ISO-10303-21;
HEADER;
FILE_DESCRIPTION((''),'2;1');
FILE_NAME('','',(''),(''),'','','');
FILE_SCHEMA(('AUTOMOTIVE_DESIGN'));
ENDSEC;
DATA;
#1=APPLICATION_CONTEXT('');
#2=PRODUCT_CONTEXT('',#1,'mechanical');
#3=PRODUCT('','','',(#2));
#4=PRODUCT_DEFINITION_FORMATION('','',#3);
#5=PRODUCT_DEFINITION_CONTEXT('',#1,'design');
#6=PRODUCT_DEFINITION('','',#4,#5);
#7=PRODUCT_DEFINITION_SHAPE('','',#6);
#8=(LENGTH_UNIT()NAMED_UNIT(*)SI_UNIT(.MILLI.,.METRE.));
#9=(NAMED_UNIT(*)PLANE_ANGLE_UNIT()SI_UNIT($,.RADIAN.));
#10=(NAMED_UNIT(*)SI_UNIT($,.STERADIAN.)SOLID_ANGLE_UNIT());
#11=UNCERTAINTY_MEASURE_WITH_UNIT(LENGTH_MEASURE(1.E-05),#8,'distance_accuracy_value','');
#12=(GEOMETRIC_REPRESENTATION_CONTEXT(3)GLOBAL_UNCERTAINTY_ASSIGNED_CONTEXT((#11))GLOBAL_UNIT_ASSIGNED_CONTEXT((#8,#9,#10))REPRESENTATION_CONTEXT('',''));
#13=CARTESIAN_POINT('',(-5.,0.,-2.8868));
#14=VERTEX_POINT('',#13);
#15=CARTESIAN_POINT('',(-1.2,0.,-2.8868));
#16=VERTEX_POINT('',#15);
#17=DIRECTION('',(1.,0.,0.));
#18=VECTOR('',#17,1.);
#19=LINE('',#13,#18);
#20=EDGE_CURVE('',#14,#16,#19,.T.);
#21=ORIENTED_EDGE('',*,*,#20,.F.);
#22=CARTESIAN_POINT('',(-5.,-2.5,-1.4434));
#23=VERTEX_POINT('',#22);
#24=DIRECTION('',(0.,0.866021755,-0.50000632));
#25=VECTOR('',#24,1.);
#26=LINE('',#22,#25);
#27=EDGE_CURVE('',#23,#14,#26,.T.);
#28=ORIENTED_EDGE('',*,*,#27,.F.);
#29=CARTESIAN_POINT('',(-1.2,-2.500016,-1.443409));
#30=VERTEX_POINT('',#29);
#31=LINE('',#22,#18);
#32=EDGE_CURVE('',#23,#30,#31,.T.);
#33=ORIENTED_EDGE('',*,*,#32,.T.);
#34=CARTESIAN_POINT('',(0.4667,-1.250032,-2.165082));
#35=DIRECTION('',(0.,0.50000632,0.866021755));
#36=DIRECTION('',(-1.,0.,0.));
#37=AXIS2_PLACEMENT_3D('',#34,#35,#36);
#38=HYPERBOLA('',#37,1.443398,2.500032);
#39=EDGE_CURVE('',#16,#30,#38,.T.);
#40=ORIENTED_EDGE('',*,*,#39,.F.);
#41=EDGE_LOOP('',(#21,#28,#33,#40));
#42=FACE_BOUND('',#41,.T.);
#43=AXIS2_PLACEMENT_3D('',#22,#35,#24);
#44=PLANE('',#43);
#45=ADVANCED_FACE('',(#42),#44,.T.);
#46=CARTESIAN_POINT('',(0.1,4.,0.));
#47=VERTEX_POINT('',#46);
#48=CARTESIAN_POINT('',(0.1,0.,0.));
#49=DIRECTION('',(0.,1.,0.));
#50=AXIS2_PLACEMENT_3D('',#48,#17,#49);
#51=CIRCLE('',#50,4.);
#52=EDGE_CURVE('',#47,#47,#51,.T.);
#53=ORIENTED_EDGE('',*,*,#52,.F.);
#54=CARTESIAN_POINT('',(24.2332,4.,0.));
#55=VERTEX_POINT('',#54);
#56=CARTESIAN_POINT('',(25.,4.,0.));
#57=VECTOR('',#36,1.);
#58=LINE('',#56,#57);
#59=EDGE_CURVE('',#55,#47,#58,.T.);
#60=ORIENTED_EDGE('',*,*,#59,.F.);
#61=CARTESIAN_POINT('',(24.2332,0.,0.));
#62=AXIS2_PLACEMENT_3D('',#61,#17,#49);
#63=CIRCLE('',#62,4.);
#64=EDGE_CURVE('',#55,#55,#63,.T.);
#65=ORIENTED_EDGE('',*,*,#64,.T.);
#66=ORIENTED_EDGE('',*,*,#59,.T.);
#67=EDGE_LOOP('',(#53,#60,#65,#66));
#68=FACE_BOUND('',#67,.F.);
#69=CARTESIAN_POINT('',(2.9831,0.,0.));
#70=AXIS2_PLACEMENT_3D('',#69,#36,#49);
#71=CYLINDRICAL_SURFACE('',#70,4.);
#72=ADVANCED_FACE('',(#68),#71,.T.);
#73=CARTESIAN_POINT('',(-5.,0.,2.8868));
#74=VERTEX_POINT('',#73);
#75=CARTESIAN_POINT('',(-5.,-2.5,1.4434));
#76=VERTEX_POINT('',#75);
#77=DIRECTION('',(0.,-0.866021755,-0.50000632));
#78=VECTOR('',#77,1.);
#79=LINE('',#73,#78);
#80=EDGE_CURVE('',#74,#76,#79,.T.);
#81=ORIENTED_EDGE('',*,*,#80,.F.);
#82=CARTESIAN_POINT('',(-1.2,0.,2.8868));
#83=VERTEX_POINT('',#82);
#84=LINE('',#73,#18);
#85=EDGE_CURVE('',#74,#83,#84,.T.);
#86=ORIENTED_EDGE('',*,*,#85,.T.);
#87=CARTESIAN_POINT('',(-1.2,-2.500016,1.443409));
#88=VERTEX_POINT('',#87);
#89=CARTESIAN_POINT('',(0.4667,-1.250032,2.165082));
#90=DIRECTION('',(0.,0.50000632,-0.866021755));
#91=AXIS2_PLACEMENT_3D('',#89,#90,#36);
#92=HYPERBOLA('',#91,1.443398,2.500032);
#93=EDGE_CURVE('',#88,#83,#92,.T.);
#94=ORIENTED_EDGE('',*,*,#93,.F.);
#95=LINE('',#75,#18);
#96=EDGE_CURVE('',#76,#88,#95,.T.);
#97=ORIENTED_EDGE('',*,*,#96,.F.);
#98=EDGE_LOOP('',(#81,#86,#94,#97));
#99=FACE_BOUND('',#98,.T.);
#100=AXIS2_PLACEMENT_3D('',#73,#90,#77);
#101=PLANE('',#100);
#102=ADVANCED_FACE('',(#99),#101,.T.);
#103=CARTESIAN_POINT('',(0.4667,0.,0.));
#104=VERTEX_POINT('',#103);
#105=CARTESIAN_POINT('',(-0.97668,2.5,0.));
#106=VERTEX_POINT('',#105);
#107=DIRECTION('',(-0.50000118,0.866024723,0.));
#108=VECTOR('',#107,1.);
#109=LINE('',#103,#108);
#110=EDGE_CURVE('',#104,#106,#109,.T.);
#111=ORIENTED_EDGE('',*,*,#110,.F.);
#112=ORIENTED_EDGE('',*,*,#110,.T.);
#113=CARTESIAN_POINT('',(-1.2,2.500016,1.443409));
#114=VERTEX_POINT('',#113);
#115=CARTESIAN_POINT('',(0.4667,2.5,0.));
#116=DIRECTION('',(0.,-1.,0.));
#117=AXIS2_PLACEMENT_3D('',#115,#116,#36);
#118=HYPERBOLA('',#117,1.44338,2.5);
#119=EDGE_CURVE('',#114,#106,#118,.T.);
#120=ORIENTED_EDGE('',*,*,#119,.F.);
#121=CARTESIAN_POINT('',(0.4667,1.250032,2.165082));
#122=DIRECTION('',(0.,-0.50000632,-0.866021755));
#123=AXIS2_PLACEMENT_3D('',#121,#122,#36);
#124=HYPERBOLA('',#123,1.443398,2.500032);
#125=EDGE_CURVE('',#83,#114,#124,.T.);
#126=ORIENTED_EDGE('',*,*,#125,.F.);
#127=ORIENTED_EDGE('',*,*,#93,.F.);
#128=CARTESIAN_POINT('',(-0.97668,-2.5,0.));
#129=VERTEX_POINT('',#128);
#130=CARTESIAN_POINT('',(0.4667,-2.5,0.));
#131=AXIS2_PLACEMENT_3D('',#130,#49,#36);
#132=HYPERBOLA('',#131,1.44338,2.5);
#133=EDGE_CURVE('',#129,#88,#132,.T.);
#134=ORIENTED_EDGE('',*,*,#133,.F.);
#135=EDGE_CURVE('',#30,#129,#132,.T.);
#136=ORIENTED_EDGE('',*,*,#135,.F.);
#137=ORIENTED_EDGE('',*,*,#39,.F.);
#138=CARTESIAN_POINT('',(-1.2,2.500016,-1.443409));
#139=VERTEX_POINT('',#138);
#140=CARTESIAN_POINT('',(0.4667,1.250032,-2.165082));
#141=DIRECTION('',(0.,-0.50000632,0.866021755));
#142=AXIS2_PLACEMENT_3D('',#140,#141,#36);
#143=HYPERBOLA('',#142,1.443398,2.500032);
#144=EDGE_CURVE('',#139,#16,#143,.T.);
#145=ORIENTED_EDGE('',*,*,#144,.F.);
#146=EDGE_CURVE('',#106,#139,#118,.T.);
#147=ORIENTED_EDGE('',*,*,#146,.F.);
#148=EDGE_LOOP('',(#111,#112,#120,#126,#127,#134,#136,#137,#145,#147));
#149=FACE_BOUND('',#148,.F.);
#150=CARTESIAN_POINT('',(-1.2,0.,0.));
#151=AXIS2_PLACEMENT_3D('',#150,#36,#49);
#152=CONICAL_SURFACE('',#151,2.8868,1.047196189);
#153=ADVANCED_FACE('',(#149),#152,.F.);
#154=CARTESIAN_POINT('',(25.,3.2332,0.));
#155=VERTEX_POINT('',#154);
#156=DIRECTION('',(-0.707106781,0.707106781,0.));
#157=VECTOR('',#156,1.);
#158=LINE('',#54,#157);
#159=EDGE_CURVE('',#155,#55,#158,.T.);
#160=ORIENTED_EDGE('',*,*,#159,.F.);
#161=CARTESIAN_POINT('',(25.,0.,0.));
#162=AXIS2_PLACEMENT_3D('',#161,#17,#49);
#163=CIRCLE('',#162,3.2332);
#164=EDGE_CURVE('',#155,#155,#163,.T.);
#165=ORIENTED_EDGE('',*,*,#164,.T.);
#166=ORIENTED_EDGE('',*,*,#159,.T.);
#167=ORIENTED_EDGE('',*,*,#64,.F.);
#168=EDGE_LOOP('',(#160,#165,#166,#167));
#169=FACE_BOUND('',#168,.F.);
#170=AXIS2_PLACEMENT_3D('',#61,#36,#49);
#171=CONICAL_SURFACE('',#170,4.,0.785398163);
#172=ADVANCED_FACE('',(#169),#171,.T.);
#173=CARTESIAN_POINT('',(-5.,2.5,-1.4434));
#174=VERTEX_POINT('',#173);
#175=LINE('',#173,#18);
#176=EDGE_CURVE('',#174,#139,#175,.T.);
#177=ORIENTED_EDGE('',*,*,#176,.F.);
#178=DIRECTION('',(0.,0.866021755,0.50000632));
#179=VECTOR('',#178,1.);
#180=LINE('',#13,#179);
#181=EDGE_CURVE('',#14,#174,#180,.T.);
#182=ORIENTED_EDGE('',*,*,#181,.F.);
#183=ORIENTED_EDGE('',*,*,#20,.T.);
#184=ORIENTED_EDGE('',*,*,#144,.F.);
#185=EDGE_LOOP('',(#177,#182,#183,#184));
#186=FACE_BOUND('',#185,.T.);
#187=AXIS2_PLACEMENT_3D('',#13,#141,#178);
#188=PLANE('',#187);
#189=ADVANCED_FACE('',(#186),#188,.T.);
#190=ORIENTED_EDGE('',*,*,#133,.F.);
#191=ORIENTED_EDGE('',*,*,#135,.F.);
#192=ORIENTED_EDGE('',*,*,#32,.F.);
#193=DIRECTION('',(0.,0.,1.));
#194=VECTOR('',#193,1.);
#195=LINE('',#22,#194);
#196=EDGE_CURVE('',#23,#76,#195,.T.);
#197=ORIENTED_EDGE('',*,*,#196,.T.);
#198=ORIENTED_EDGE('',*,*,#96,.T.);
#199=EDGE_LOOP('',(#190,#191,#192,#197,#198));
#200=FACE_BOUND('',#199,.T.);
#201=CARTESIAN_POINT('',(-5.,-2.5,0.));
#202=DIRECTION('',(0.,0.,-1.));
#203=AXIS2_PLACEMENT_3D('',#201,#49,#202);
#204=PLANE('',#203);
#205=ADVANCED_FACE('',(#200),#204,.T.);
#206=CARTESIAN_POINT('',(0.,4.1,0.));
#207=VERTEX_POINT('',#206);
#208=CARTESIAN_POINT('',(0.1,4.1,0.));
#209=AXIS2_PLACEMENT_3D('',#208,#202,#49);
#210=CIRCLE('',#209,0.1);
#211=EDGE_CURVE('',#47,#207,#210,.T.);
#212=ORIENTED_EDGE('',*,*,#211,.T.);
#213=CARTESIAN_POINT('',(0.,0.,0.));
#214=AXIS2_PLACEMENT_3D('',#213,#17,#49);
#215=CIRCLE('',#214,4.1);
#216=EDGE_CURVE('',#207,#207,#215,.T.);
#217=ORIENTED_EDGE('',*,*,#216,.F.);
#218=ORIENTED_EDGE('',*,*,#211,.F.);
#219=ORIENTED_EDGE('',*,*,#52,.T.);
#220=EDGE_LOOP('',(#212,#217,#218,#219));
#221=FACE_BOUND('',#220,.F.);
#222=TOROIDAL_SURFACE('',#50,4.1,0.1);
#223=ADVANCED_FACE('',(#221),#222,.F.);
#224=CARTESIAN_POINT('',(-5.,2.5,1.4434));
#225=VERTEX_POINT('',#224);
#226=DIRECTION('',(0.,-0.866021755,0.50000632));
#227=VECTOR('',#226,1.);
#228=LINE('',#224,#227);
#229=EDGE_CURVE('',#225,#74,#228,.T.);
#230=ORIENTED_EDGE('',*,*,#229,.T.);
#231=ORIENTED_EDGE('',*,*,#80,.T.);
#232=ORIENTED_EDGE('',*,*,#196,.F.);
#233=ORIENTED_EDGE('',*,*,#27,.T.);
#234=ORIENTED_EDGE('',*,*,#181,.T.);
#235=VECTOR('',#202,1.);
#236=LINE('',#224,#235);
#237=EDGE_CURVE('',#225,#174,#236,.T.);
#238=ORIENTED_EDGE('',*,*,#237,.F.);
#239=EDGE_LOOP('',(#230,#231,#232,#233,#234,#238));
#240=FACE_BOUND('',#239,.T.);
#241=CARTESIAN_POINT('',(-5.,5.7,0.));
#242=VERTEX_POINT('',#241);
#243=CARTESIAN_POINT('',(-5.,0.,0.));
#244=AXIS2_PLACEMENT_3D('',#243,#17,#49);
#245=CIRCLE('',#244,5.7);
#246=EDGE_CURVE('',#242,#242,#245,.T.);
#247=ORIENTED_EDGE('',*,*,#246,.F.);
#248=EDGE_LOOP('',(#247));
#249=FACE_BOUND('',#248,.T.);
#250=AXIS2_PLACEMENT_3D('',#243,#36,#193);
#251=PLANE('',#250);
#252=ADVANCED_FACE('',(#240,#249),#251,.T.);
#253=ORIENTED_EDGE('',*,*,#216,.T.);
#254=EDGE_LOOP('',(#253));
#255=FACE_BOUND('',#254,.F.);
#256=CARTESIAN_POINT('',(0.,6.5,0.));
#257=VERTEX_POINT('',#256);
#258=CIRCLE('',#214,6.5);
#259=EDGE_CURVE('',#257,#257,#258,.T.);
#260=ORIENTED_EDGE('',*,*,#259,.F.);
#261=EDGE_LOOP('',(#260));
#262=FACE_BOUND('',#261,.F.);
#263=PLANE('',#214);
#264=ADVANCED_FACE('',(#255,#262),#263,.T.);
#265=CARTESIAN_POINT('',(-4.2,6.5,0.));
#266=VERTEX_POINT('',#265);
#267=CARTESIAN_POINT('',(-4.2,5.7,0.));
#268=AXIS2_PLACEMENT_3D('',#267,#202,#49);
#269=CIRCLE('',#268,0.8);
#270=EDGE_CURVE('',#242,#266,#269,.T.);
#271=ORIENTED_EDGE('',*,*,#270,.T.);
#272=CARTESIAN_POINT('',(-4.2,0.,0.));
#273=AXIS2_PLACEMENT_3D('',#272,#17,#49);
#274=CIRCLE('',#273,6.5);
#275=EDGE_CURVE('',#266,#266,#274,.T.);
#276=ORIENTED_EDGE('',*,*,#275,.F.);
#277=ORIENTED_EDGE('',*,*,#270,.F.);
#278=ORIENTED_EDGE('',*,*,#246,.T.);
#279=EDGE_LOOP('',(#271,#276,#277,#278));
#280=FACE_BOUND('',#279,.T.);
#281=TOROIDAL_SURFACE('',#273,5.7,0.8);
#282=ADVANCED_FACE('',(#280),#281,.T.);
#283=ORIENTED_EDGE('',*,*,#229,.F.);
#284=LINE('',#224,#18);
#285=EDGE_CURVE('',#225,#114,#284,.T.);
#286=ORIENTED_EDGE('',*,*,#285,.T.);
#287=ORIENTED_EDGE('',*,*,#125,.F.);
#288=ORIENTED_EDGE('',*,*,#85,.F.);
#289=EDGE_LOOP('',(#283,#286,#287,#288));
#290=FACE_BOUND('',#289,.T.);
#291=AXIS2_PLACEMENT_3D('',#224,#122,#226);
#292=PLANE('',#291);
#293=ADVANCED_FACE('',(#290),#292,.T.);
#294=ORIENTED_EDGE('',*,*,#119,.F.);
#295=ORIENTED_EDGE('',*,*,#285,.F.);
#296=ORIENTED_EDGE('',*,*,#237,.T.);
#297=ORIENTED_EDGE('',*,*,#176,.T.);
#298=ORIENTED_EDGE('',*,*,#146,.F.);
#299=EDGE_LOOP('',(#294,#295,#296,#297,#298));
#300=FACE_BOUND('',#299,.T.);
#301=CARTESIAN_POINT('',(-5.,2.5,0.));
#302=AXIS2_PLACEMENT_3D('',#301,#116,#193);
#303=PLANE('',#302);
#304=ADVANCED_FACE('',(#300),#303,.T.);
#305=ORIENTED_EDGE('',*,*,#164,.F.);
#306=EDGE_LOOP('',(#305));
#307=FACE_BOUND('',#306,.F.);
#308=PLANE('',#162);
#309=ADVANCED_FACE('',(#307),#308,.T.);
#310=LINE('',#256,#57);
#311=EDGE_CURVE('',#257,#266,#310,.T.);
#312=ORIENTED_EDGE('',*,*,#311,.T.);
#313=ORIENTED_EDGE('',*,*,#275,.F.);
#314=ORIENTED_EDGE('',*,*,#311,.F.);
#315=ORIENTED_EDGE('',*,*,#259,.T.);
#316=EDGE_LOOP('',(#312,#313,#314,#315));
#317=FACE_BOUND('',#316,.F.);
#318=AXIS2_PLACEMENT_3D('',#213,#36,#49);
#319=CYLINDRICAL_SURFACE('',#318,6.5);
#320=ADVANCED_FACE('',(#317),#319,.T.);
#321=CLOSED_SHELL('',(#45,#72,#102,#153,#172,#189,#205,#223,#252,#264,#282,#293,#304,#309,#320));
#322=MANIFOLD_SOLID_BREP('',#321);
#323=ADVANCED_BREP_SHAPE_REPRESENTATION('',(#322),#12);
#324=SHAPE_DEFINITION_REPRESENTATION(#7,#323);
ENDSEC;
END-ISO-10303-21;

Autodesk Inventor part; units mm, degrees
ref_plane "YZ Plane" through (0, 0, 0) normal (1, 0, 0) x (0, 1, 0)
ref_plane "XZ Plane" through (0, 0, 0) normal (0, 1, 0) x (-1, 0, 0)
sketch "Sketch1" plane through (0, 0, 0) normal (0, 0, 1) x (1, 0, 0)
  line L0 (0.4667, 0) -> (25, 0)
  line L1 (25, 0) -> (25, 4)
  line L2 (25, 4) -> (3.75, 4)
  line L3 (3.75, 4) -> (2.9831, 4)
  line L4 (2.9831, 4) -> (0, 4)
  line L5 (0, 4) -> (0, 6.5)
  line L6 (0, 6.5) -> (-5, 6.5)
  line L7 (-5, 6.5) -> (-5, 2.8868)
  line L8 (-5, 2.8868) -> (-1.2, 2.8868)
  line L9 (-1.2, 2.8868) -> (0.4667, 0)
  line L10 (-11, 0) -> (31, 0) projected
  line L11 (0, -1.3) -> (0, 7.8) projected
  line L12 (3.75, 4) -> (0, 4) construction
  dimension "d1" = 21.25
  dimension "d2" = 0.7669
  dimension "d3" = 5
  dimension "d4" = 3.8
  dimension "d5" = 60
  dimension "d6" = 8
  dimension "d7" = 8
  dimension "d8" = 5.7735
  dimension "d9" = 13
  dimension "d26" = 25
revolve "Body" add sketch "Sketch1" angle 360 about axis through (0.4667, 0, 0) along (1, 0, 0) contours L9 L11 L4 L3 L2 L1 L0 | L9 L8 L7 L6 L5 L11
sketch "Sketch2" plane through (-5, 0, 0) normal (-1, 0, 0) x (0, 0, 1)
  circle A0 centre (0, 0) radius 2.8868 projected
  line L0 (0, -9.1) -> (0, 9.1) projected
  line L1 (-9.1, 0) -> (9.1, 0) projected
  line L2 (2.8868, 0) -> (1.4434, -2.5)
  line L3 (1.4434, -2.5) -> (-1.4434, -2.5)
  line L4 (-1.4434, -2.5) -> (-2.8868, 0)
  line L5 (-2.8868, 0) -> (-1.4434, 2.5)
  line L6 (-1.4434, 2.5) -> (1.4434, 2.5)
  line L7 (1.4434, 2.5) -> (2.8868, 0)
  point P0 (0, 0)
extrude "Slot" add sketch "Sketch2" against normal up to next contours L7 A0 | A0 L2 | L6 L0 A0 | A0 L0 L3 | L0 L6 A0 | A0 L3 L0 | L4 A0 | A0 L5
fillet "Fillet1" radius 0.8 1 edges at (-5, -6.5, 0)
thread "Thread" size "M8x1.25" class "6g" standard "ISO Metric profile" length 21.25
chamfer "Chamfer1" distance 0.7668 distance2 0.7668 1 edges at (25, -4, 0) measured on face at (25, -0.6859, 0.8072)
ref_plane "Work Plane1" through (29, 0, 0) normal (0, -1, 0) x (1, 0, 0)
fillet "Fillet2" radius 0.1 1 edges at (0, -4, 0)
equation "\"d1\" = GEL"
equation "\"d3\" = KOH"
equation "\"d4\" = INTI"
equation "\"d6\" = GD"
equation "\"d7\" = BDM"
equation "\"d8\" = 1.1547 * SW"
equation "\"d9\" = KOD"
equation "\"d26\" = NLG"
equation "\"d30\" = R"
equation "\"d17\" = RR"
equation "\"d13\" = GEL"
equation "\"d15\" = -0.5 * SPD + 0.5 * GD"
equation "\"d16\" = GUL"
equation "\"GD\" = NND"
equation "\"NLG\" = 25"
equation "\"GEL\" = 21.25"
equation "\"KOD\" = 13"
equation "\"KOH\" = 5"
equation "\"INTI\" = 3.8"
equation "\"GAL\" = 0.61345 * PTC"
equation "\"GUL\" = 0.61345 * PTC"
equation "\"BDM\" = NND"
equation "\"SW\" = 5"
equation "\"RR\" = 0.8"
equation "\"SPD\" = NND - 1.2269 * PTC"
equation "\"R\" = 0.1"
equation "\"TOA\" = 30deg"
equation "\"GD1\" = THREADDIA - 1.2269 * PTC"
equation "\"THREADDIA\" = 8"
equation "\"FAWI\" = 45deg"
equation "\"ANG\" = 120deg"
equation "\"PTC\" = 1.25"
equation "\"NND\" = 8"
equation "\"E0\" = 1.155 * SW"
properties part number "DIN 7984 - M8 x 25" material "Steel, Mild"
